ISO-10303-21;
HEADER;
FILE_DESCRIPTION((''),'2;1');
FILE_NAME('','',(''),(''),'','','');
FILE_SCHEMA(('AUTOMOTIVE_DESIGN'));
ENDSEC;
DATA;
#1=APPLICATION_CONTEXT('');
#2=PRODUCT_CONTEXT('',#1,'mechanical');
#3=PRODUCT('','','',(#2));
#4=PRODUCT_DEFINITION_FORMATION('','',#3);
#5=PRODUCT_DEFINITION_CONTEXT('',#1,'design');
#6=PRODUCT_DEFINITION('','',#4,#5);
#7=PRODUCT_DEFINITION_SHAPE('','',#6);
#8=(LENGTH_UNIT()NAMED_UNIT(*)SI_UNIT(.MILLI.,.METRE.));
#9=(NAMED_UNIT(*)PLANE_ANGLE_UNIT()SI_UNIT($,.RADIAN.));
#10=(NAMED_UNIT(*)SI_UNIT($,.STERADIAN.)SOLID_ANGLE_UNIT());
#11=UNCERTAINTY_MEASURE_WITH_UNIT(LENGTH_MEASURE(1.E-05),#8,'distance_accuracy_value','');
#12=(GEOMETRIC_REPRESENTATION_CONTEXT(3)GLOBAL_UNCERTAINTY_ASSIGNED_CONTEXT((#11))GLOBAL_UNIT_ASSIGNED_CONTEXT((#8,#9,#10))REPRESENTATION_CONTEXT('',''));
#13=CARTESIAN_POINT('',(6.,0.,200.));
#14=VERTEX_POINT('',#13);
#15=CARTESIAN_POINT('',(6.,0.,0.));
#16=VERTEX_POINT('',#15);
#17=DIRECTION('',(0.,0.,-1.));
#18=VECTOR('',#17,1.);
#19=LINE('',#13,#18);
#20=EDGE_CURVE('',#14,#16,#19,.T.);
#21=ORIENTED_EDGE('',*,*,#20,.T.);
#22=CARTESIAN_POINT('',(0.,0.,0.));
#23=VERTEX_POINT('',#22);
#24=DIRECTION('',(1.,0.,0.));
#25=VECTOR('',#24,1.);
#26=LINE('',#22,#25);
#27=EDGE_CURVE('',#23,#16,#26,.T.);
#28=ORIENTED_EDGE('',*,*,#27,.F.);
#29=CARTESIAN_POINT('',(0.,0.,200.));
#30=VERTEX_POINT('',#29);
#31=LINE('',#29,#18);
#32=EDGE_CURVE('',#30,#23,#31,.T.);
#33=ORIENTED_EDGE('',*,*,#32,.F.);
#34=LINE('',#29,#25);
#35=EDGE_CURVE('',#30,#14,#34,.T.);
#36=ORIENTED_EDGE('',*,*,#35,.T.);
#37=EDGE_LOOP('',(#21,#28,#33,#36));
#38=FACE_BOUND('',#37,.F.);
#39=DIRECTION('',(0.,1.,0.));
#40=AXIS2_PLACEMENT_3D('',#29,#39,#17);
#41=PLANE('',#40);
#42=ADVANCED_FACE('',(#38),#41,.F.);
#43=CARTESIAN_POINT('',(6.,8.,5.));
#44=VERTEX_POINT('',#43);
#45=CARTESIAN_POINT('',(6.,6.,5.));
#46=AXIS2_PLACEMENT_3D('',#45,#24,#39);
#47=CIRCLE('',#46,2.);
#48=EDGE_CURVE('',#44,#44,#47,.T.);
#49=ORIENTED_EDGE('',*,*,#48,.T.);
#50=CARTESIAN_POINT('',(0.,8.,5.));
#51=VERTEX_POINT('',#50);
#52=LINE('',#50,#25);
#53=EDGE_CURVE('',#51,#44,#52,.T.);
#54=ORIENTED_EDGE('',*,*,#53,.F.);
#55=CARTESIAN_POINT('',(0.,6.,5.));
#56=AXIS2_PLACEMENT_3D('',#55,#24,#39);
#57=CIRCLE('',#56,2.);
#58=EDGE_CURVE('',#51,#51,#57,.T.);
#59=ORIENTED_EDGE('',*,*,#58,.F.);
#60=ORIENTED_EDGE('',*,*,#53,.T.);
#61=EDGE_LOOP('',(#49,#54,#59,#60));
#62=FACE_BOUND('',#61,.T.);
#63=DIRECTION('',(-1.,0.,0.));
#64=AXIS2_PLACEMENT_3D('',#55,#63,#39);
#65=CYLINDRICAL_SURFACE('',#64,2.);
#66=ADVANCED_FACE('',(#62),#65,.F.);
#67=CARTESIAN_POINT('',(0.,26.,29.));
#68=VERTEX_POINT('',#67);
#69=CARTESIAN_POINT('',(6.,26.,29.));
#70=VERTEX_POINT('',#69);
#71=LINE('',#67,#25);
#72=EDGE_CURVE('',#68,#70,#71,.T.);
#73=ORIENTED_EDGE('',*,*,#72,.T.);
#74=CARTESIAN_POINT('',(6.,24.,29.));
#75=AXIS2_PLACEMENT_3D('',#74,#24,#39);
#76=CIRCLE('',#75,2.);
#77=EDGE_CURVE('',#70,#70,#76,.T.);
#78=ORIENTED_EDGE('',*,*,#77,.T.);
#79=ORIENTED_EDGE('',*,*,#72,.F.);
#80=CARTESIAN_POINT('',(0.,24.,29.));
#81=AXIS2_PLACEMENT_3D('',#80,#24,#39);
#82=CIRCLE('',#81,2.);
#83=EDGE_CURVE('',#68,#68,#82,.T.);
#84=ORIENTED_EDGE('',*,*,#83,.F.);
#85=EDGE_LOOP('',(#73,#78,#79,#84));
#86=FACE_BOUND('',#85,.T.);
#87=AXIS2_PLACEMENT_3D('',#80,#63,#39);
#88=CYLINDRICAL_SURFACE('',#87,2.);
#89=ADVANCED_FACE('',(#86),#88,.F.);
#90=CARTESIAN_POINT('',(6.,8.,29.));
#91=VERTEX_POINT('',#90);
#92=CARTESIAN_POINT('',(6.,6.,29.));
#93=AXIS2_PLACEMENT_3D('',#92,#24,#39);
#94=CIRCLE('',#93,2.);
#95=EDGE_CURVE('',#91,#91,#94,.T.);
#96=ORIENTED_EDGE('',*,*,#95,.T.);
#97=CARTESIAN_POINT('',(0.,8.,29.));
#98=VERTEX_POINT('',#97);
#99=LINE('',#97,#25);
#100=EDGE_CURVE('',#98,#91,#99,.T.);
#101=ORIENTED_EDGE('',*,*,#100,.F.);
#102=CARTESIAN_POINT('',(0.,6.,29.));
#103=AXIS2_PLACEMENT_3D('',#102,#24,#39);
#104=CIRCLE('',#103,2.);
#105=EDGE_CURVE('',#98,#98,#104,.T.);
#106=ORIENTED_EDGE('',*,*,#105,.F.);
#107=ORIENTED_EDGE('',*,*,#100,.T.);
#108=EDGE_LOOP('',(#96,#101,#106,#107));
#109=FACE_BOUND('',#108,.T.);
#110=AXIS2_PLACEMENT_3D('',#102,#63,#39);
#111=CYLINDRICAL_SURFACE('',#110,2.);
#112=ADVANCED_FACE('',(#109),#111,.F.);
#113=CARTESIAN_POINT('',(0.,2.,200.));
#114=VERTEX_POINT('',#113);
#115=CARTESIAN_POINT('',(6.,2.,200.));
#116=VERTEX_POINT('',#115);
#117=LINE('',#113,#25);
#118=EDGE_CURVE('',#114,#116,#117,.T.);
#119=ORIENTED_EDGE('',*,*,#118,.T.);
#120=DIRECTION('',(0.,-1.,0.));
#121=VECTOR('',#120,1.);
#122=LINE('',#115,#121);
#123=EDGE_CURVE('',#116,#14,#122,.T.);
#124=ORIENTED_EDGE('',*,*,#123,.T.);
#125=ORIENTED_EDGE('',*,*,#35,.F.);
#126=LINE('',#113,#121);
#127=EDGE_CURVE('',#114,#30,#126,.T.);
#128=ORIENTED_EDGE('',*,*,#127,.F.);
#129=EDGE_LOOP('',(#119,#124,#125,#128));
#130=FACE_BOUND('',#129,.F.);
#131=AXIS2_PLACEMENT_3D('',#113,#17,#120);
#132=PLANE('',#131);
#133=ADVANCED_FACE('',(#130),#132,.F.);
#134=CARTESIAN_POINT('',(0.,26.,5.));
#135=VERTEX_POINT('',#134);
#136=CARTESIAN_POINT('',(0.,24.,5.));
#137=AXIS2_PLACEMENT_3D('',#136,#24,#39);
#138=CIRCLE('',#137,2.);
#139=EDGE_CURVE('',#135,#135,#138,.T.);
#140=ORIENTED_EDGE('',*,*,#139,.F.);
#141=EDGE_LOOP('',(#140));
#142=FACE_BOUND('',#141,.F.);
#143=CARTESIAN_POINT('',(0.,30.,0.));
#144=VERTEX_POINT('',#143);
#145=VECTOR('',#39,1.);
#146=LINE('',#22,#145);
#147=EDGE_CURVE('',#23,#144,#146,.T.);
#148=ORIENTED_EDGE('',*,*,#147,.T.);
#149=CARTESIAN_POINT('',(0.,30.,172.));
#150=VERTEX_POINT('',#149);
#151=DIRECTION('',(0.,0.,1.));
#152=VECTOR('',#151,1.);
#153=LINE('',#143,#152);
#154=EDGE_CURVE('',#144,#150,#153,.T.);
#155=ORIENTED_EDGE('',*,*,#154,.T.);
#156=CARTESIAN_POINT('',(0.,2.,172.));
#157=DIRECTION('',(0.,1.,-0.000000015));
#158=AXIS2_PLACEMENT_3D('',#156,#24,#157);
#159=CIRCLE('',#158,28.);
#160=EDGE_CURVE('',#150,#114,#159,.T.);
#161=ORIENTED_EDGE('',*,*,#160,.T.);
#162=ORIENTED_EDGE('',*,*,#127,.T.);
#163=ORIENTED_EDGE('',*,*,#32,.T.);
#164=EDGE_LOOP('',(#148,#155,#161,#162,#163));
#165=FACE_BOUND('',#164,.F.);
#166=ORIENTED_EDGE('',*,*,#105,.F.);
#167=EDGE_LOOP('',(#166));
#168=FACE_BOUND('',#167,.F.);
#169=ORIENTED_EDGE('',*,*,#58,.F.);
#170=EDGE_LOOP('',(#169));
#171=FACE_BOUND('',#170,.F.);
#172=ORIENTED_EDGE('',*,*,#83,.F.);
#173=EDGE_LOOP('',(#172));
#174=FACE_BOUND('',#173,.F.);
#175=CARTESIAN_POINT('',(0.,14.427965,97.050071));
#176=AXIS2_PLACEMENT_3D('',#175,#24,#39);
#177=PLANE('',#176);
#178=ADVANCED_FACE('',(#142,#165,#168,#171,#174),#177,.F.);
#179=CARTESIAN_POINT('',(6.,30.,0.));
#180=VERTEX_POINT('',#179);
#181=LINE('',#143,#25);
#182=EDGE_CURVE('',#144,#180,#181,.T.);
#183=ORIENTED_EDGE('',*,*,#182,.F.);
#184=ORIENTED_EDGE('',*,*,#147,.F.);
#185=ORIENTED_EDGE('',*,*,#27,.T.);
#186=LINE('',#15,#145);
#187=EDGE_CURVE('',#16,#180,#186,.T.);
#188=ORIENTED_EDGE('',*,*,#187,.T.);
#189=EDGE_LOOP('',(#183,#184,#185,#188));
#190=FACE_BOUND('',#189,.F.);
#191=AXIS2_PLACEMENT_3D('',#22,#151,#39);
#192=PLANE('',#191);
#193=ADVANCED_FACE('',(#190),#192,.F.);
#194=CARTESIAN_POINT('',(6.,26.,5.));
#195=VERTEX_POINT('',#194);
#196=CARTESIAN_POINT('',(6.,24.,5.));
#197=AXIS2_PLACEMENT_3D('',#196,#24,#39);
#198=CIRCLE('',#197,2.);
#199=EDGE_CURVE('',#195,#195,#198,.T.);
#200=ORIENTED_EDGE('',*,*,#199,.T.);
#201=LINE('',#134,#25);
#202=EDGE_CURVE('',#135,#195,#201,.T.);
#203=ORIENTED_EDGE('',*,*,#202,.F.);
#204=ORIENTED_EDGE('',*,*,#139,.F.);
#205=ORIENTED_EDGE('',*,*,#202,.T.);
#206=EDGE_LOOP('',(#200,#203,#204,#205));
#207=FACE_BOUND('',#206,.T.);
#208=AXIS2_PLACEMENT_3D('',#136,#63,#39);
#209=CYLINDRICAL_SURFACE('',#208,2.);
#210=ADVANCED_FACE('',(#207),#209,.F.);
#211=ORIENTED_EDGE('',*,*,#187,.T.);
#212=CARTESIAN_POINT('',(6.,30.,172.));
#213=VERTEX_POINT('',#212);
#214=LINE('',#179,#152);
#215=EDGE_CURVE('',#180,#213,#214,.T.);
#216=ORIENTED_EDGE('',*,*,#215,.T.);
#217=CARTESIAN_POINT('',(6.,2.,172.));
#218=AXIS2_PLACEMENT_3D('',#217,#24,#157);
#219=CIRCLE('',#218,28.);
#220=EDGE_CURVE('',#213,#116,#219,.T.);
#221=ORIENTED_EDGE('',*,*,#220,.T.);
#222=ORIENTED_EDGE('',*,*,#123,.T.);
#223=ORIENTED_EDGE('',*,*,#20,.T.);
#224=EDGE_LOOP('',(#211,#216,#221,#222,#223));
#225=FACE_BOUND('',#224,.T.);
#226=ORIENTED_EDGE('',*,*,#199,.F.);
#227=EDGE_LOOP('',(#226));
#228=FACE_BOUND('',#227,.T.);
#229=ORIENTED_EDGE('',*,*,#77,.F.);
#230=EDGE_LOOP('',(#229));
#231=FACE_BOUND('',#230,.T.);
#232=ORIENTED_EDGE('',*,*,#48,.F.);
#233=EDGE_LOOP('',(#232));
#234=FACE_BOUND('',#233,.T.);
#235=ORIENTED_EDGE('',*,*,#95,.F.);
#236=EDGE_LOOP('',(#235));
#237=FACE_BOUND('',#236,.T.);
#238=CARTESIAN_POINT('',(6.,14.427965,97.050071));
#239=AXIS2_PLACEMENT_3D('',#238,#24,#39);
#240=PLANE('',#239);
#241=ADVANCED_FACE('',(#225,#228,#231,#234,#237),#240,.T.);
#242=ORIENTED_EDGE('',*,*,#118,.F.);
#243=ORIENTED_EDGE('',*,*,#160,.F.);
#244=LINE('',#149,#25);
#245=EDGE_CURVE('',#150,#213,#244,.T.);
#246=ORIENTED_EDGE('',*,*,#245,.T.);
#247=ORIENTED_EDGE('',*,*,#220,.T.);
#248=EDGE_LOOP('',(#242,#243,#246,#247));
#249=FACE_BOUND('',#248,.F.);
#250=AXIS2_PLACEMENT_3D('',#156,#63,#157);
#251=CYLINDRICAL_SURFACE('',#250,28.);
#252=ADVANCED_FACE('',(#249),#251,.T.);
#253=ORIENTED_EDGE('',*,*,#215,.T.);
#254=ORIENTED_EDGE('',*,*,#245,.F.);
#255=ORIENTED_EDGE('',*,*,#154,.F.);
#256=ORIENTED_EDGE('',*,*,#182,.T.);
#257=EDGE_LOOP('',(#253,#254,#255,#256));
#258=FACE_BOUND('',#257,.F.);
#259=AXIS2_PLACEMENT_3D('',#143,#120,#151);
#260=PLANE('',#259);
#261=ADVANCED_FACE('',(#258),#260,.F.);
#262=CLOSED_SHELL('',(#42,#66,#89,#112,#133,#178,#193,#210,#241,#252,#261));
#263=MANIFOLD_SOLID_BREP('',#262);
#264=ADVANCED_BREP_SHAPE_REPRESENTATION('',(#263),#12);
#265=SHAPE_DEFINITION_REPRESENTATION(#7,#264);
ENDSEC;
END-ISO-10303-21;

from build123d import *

# Parameters (mm, degrees)
SKETCH_R  = 2
PAD_DEPTH = 6


with BuildPart() as part:
    # Sketch → Pad (new body)
    with BuildSketch(Plane.YZ):
        with BuildLine():
            Line((0, 0), (30, 0))
            Line((30, 0), (30, 172))
            ThreePointArc((30, 172), (21.79899, 191.79899), (2, 200))
            Line((2, 200), (0, 200))
            Line((0, 200), (0, 0))
        make_face()
        with Locations((6, 29)):
            Circle(SKETCH_R, mode=Mode.SUBTRACT)
        with Locations((24, 29)):
            Circle(SKETCH_R, mode=Mode.SUBTRACT)
        with Locations((6, 5)):
            Circle(SKETCH_R, mode=Mode.SUBTRACT)
        with Locations((24, 5)):
            Circle(SKETCH_R, mode=Mode.SUBTRACT)
    extrude(amount=PAD_DEPTH)


solid = part.part
